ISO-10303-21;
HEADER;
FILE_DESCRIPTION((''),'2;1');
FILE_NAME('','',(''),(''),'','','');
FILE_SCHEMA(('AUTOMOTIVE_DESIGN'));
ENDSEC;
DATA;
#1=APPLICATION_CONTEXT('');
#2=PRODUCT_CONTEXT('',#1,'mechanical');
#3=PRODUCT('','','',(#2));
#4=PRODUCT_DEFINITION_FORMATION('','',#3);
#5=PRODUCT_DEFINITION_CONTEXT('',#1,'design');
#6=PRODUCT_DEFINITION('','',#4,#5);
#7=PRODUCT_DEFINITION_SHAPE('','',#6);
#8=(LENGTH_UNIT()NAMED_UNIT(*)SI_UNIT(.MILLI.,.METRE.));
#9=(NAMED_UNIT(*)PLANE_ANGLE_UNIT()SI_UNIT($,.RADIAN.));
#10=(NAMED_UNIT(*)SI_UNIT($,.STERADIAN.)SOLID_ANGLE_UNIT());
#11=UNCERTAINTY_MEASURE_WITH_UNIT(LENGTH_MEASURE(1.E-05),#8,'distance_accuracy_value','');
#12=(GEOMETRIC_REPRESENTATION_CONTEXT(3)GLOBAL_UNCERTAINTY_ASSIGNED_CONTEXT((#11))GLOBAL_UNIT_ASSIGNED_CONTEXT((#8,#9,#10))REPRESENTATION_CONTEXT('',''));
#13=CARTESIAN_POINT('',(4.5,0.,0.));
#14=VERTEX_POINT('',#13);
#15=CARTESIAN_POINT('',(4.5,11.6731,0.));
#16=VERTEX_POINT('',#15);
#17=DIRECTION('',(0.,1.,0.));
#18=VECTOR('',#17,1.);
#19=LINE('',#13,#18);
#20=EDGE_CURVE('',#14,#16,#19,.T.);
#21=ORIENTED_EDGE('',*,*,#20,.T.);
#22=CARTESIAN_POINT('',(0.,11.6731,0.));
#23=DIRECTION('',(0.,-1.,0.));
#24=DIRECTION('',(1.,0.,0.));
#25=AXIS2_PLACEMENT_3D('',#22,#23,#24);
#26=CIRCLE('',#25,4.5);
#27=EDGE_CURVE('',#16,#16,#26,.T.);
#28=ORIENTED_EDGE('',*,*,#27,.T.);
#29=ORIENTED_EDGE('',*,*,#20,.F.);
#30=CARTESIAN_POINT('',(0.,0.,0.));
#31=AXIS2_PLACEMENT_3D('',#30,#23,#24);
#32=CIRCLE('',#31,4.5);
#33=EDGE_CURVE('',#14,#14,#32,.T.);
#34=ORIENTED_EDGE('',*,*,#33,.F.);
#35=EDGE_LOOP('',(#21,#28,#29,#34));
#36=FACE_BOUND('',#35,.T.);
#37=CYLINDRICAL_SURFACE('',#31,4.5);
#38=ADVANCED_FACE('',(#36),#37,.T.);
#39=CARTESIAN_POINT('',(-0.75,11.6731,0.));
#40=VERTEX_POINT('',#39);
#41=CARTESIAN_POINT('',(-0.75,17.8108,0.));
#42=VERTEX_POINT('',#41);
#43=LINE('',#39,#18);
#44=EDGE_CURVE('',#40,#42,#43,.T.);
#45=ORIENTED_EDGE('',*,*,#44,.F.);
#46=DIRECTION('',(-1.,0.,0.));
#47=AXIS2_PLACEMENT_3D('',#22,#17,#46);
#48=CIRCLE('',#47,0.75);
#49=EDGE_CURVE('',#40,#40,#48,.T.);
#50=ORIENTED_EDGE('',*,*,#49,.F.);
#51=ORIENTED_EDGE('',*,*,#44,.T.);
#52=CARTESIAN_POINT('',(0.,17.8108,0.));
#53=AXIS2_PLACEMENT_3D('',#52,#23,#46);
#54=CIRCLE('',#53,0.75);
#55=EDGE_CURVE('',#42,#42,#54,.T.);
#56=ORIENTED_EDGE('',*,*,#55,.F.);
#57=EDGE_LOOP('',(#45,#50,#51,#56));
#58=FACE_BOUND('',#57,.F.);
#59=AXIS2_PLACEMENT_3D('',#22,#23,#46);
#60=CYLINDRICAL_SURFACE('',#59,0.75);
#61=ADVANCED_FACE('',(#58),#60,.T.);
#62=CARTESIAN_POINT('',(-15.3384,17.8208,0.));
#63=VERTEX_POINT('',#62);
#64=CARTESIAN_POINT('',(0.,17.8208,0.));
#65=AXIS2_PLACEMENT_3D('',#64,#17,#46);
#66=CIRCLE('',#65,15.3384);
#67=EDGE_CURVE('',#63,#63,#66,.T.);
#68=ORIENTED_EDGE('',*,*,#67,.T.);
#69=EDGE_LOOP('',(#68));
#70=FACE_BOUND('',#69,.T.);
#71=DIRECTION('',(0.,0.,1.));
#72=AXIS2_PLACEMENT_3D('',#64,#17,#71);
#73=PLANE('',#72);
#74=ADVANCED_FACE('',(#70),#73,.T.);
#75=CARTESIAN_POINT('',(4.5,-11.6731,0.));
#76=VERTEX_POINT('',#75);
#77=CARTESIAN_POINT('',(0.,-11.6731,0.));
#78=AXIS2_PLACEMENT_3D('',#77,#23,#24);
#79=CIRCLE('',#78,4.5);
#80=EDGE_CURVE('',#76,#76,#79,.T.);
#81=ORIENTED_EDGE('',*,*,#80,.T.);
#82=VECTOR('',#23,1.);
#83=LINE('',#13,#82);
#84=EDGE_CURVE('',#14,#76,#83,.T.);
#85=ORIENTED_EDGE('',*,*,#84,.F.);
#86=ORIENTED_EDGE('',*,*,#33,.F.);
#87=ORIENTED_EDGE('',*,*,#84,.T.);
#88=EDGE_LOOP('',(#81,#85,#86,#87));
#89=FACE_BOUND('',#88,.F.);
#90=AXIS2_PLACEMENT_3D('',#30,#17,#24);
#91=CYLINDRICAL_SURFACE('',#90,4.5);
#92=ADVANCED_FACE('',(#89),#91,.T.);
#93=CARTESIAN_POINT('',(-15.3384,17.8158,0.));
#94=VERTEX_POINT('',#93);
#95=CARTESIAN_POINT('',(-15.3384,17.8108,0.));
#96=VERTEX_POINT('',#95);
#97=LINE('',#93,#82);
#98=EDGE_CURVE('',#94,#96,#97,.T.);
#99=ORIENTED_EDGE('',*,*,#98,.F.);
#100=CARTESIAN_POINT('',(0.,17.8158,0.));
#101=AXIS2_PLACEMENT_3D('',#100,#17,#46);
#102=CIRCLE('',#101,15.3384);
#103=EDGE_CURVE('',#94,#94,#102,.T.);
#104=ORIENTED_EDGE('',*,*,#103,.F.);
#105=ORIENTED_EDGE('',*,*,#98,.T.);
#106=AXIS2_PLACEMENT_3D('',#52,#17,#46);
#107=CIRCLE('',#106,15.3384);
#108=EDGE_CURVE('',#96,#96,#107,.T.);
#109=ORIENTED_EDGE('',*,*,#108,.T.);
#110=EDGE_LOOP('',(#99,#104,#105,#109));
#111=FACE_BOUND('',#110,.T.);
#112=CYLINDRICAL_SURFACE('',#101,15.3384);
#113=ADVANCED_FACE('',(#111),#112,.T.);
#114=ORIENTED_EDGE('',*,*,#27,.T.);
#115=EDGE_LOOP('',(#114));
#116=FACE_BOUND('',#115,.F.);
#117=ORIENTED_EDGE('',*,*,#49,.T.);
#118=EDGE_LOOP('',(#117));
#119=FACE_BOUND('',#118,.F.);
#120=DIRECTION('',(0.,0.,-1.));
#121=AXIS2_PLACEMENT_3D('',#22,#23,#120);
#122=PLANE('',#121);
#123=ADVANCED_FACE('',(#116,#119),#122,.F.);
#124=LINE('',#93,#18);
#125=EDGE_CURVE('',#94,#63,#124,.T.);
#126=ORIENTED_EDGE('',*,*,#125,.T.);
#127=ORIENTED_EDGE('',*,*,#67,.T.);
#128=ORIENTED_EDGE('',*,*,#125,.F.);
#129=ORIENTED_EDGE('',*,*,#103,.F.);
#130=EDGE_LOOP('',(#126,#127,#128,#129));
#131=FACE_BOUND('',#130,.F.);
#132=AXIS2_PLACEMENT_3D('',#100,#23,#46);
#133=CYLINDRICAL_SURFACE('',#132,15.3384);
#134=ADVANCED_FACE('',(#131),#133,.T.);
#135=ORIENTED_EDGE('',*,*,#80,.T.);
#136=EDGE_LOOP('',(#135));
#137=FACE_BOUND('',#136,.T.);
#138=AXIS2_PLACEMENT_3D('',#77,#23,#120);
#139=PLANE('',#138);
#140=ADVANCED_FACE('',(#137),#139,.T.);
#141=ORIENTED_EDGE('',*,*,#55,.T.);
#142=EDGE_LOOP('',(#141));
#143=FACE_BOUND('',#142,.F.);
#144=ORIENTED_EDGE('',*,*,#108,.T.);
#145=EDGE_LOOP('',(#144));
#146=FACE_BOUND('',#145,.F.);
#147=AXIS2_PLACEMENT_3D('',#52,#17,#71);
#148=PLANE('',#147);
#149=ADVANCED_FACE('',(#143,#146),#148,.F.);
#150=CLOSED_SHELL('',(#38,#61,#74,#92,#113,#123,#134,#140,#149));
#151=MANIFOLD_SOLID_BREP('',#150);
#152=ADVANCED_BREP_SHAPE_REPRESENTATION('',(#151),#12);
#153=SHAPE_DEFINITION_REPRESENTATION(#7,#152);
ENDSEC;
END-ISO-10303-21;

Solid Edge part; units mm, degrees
sketch "Sketch1" plane through (0, 0, 0) normal (0, -1, 0) x (1, 0, 0)
  circle A0 centre (0, 0) radius 4.5
extrude "Protrusion1" add sketch "Sketch1" along normal mid plane 23.3462
sketch "Sketch2" plane through (0, 11.6731, 0) normal (0, 1, 0) x (-1, 0, 0)
  circle A0 centre (0, 0) radius 0.75
extrude "ExtrudedProtrusion_2" add sketch "Sketch2" along normal mid plane 12.2854
sketch "Sketch3" plane through (0, 17.8158, 0) normal (0, 1, 0) x (-1, 0, 0)
  circle A0 centre (0, 0) radius 15.3384
extrude "ExtrudedProtrusion_3" add sketch "Sketch3" along normal mid plane 0.01
